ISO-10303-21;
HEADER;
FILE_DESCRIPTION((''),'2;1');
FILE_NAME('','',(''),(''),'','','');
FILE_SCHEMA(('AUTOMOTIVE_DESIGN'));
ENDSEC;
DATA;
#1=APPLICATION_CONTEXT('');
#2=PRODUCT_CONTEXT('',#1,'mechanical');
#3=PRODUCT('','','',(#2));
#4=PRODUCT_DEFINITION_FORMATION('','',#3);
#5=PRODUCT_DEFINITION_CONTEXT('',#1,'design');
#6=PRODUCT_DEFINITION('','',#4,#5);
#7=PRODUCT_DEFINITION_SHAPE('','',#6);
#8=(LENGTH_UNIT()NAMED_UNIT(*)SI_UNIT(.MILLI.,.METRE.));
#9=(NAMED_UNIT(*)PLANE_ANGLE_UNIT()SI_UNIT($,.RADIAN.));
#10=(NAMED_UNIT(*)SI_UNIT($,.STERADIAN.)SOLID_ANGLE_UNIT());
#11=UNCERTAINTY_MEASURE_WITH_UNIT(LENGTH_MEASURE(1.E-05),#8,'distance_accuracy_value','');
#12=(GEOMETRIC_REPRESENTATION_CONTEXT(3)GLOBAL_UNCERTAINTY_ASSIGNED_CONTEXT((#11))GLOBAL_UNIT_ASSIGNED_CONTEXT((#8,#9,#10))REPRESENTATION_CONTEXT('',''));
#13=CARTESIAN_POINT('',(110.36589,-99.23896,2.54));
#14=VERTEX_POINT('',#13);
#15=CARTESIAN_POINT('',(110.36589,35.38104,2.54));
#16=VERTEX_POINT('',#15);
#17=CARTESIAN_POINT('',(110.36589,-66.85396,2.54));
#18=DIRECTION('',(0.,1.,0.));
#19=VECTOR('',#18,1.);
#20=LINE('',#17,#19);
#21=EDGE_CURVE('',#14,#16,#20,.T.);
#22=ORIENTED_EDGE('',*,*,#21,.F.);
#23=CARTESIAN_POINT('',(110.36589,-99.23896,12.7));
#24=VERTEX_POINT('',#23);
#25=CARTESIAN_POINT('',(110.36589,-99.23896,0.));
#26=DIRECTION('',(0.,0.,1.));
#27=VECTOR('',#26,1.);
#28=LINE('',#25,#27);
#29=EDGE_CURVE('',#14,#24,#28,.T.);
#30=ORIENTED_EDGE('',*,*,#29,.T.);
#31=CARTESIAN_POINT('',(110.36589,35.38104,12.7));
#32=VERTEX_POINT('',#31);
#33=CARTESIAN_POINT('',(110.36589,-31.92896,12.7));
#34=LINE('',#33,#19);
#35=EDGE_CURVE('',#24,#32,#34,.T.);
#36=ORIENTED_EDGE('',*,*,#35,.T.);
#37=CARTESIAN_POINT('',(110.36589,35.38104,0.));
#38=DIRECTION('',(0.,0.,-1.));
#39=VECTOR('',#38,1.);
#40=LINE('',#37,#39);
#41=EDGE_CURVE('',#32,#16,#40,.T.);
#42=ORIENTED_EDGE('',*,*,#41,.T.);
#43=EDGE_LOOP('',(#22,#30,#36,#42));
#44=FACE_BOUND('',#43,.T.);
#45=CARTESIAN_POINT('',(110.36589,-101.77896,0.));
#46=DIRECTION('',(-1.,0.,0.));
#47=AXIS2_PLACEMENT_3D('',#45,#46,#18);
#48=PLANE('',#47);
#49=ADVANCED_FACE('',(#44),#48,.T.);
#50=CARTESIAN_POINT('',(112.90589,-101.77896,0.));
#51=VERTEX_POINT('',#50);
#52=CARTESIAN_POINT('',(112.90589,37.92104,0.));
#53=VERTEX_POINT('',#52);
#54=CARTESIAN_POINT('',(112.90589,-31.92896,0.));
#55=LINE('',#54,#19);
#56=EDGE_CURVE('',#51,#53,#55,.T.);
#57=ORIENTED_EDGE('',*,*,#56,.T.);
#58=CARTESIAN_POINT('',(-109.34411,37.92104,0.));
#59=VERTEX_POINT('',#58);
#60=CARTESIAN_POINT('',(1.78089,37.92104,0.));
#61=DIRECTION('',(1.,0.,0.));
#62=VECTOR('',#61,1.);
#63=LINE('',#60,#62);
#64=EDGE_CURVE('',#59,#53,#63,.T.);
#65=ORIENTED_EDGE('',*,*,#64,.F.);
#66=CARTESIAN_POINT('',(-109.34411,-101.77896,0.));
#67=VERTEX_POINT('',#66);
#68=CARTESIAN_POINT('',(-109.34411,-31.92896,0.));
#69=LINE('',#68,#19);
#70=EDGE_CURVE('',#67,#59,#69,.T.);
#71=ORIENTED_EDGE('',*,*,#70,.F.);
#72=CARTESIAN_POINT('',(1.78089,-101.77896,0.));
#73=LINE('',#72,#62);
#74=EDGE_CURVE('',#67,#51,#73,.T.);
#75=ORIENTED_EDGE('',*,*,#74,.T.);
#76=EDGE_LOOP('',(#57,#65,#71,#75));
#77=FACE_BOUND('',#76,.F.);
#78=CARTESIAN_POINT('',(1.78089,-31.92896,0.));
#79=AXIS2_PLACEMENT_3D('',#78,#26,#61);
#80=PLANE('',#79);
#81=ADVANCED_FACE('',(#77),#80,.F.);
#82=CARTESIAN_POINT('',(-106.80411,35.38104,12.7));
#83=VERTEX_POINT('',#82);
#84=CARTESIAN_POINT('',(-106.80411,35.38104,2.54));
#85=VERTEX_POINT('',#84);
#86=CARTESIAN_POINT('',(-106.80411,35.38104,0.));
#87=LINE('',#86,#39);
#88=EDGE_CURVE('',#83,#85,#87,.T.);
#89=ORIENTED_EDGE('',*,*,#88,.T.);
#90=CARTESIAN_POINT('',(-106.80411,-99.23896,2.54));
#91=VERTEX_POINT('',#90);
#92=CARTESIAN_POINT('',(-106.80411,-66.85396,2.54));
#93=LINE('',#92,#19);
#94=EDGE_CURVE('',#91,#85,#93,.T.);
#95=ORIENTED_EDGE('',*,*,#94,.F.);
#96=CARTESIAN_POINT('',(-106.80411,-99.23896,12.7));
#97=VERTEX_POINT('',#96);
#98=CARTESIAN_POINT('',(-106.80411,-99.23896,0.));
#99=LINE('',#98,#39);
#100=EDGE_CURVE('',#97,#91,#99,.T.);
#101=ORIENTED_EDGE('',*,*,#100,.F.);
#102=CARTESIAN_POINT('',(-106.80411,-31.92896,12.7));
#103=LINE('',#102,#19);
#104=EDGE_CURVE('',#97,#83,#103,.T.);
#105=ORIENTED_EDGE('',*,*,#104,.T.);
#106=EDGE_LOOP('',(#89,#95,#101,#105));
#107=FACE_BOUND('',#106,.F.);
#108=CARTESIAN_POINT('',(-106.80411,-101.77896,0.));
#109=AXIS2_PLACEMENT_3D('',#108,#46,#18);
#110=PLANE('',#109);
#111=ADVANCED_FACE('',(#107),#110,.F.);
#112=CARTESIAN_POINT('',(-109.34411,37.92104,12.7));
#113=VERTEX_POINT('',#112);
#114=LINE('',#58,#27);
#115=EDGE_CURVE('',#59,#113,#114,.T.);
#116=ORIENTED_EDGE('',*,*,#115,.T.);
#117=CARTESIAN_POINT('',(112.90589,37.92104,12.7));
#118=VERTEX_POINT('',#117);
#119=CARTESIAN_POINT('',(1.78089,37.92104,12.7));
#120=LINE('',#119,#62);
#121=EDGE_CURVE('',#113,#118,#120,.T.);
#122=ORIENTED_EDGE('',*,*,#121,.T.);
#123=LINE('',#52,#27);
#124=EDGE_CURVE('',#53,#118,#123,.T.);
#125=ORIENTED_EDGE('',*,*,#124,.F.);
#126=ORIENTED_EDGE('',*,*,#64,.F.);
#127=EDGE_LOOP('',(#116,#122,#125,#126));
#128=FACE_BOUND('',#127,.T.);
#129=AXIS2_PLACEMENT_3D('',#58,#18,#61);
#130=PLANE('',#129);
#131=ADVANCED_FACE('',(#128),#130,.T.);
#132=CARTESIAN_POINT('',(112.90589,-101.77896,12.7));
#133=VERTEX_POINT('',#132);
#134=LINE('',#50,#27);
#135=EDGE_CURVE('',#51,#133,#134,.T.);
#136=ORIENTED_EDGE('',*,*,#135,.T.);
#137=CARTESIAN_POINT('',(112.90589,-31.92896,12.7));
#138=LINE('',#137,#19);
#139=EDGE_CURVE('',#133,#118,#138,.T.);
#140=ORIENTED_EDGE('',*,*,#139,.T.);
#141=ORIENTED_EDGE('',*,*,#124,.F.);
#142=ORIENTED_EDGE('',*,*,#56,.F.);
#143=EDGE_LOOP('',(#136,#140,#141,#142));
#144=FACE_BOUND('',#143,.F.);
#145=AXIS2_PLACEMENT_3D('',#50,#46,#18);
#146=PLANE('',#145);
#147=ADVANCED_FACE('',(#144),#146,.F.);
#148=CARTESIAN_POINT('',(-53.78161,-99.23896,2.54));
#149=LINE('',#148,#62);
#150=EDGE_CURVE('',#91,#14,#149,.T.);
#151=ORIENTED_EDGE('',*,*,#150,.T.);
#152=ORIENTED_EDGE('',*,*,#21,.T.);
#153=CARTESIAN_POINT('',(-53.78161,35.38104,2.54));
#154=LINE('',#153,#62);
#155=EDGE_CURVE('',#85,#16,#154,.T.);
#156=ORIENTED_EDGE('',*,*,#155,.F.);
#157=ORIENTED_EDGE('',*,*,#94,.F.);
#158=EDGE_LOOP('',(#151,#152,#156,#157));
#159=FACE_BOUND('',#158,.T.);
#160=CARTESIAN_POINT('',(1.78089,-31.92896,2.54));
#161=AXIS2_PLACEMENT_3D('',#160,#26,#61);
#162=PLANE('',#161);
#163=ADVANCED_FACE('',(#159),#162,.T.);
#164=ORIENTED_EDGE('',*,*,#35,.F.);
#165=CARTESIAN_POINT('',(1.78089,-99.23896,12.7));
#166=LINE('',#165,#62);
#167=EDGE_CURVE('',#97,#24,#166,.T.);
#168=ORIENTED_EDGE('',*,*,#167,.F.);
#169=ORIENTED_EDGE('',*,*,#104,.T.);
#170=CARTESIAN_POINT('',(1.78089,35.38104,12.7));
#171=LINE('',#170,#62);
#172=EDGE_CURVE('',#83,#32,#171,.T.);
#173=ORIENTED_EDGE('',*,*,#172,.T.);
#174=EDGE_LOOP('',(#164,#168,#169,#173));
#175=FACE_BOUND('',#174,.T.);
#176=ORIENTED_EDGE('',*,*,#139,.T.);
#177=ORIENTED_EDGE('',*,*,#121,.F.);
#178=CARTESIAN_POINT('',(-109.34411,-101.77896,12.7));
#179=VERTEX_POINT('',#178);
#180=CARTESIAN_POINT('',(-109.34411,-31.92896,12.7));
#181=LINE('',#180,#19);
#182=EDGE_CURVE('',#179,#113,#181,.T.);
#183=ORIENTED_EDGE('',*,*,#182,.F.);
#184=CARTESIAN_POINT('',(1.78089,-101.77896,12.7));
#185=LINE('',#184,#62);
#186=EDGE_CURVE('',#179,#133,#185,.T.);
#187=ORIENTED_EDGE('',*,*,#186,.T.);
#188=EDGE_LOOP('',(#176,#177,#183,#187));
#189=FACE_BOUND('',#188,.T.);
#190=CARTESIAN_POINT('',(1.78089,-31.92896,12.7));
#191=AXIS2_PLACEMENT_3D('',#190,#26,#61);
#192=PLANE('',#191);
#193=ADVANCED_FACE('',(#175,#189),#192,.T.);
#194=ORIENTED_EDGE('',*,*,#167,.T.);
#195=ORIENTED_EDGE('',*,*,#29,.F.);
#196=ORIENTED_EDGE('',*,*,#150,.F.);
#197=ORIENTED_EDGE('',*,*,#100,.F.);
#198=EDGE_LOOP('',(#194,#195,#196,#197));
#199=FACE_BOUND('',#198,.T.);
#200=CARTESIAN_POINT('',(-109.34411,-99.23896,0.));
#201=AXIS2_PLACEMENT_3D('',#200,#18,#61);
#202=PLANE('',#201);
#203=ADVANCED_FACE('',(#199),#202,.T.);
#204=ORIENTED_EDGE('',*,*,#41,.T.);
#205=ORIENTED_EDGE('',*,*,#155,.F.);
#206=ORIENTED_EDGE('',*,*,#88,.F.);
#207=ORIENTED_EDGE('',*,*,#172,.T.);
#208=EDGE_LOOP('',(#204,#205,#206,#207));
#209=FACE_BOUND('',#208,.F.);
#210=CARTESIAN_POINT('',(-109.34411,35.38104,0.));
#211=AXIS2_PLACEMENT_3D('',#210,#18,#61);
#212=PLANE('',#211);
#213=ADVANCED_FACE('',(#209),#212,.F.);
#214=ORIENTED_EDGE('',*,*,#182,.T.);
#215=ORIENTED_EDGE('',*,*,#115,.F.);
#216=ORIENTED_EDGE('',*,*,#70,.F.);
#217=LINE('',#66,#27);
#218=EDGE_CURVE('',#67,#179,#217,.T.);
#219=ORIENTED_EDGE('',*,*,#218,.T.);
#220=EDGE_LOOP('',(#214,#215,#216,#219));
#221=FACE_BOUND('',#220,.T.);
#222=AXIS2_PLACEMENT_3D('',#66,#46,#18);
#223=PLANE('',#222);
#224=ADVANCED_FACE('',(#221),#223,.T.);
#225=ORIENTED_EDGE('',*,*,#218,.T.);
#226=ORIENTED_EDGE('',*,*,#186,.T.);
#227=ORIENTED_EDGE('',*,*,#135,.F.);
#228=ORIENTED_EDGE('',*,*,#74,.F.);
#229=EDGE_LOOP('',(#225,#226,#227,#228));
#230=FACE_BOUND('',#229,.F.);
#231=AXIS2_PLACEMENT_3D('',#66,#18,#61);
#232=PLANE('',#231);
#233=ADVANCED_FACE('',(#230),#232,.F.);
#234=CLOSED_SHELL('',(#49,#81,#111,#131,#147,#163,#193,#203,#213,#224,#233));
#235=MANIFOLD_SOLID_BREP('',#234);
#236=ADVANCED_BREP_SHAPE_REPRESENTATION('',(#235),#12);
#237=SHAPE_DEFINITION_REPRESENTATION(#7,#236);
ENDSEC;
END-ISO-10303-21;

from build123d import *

# Parameters (mm, degrees)
F0_W     = 222.25
F0_H     = 139.7
F1_DEPTH = 12.7
F2_DEPTH = 12.7
F3_T     = -2.54


with BuildPart() as f1:
    # F0 (on Top) → F1 (new body)
    with BuildSketch(Plane.XY):
        with Locations((1.78089, -31.92896)):
            Rectangle(F0_W, F0_H)
    extrude(amount=F1_DEPTH)

    # F0 (on Top) → F2 (join)
    with BuildSketch(Plane.XY):
        with Locations((1.78089, -31.92896)):
            Rectangle(F0_W, F0_H)
    extrude(amount=F2_DEPTH)

    # F3
    f3_openings = [f1.faces().sort_by_distance(p)[0] for p in [
        (1.78089, -31.92896, 12.7),
    ]]
    offset(amount=F3_T, openings=f3_openings)


solid = f1.part
